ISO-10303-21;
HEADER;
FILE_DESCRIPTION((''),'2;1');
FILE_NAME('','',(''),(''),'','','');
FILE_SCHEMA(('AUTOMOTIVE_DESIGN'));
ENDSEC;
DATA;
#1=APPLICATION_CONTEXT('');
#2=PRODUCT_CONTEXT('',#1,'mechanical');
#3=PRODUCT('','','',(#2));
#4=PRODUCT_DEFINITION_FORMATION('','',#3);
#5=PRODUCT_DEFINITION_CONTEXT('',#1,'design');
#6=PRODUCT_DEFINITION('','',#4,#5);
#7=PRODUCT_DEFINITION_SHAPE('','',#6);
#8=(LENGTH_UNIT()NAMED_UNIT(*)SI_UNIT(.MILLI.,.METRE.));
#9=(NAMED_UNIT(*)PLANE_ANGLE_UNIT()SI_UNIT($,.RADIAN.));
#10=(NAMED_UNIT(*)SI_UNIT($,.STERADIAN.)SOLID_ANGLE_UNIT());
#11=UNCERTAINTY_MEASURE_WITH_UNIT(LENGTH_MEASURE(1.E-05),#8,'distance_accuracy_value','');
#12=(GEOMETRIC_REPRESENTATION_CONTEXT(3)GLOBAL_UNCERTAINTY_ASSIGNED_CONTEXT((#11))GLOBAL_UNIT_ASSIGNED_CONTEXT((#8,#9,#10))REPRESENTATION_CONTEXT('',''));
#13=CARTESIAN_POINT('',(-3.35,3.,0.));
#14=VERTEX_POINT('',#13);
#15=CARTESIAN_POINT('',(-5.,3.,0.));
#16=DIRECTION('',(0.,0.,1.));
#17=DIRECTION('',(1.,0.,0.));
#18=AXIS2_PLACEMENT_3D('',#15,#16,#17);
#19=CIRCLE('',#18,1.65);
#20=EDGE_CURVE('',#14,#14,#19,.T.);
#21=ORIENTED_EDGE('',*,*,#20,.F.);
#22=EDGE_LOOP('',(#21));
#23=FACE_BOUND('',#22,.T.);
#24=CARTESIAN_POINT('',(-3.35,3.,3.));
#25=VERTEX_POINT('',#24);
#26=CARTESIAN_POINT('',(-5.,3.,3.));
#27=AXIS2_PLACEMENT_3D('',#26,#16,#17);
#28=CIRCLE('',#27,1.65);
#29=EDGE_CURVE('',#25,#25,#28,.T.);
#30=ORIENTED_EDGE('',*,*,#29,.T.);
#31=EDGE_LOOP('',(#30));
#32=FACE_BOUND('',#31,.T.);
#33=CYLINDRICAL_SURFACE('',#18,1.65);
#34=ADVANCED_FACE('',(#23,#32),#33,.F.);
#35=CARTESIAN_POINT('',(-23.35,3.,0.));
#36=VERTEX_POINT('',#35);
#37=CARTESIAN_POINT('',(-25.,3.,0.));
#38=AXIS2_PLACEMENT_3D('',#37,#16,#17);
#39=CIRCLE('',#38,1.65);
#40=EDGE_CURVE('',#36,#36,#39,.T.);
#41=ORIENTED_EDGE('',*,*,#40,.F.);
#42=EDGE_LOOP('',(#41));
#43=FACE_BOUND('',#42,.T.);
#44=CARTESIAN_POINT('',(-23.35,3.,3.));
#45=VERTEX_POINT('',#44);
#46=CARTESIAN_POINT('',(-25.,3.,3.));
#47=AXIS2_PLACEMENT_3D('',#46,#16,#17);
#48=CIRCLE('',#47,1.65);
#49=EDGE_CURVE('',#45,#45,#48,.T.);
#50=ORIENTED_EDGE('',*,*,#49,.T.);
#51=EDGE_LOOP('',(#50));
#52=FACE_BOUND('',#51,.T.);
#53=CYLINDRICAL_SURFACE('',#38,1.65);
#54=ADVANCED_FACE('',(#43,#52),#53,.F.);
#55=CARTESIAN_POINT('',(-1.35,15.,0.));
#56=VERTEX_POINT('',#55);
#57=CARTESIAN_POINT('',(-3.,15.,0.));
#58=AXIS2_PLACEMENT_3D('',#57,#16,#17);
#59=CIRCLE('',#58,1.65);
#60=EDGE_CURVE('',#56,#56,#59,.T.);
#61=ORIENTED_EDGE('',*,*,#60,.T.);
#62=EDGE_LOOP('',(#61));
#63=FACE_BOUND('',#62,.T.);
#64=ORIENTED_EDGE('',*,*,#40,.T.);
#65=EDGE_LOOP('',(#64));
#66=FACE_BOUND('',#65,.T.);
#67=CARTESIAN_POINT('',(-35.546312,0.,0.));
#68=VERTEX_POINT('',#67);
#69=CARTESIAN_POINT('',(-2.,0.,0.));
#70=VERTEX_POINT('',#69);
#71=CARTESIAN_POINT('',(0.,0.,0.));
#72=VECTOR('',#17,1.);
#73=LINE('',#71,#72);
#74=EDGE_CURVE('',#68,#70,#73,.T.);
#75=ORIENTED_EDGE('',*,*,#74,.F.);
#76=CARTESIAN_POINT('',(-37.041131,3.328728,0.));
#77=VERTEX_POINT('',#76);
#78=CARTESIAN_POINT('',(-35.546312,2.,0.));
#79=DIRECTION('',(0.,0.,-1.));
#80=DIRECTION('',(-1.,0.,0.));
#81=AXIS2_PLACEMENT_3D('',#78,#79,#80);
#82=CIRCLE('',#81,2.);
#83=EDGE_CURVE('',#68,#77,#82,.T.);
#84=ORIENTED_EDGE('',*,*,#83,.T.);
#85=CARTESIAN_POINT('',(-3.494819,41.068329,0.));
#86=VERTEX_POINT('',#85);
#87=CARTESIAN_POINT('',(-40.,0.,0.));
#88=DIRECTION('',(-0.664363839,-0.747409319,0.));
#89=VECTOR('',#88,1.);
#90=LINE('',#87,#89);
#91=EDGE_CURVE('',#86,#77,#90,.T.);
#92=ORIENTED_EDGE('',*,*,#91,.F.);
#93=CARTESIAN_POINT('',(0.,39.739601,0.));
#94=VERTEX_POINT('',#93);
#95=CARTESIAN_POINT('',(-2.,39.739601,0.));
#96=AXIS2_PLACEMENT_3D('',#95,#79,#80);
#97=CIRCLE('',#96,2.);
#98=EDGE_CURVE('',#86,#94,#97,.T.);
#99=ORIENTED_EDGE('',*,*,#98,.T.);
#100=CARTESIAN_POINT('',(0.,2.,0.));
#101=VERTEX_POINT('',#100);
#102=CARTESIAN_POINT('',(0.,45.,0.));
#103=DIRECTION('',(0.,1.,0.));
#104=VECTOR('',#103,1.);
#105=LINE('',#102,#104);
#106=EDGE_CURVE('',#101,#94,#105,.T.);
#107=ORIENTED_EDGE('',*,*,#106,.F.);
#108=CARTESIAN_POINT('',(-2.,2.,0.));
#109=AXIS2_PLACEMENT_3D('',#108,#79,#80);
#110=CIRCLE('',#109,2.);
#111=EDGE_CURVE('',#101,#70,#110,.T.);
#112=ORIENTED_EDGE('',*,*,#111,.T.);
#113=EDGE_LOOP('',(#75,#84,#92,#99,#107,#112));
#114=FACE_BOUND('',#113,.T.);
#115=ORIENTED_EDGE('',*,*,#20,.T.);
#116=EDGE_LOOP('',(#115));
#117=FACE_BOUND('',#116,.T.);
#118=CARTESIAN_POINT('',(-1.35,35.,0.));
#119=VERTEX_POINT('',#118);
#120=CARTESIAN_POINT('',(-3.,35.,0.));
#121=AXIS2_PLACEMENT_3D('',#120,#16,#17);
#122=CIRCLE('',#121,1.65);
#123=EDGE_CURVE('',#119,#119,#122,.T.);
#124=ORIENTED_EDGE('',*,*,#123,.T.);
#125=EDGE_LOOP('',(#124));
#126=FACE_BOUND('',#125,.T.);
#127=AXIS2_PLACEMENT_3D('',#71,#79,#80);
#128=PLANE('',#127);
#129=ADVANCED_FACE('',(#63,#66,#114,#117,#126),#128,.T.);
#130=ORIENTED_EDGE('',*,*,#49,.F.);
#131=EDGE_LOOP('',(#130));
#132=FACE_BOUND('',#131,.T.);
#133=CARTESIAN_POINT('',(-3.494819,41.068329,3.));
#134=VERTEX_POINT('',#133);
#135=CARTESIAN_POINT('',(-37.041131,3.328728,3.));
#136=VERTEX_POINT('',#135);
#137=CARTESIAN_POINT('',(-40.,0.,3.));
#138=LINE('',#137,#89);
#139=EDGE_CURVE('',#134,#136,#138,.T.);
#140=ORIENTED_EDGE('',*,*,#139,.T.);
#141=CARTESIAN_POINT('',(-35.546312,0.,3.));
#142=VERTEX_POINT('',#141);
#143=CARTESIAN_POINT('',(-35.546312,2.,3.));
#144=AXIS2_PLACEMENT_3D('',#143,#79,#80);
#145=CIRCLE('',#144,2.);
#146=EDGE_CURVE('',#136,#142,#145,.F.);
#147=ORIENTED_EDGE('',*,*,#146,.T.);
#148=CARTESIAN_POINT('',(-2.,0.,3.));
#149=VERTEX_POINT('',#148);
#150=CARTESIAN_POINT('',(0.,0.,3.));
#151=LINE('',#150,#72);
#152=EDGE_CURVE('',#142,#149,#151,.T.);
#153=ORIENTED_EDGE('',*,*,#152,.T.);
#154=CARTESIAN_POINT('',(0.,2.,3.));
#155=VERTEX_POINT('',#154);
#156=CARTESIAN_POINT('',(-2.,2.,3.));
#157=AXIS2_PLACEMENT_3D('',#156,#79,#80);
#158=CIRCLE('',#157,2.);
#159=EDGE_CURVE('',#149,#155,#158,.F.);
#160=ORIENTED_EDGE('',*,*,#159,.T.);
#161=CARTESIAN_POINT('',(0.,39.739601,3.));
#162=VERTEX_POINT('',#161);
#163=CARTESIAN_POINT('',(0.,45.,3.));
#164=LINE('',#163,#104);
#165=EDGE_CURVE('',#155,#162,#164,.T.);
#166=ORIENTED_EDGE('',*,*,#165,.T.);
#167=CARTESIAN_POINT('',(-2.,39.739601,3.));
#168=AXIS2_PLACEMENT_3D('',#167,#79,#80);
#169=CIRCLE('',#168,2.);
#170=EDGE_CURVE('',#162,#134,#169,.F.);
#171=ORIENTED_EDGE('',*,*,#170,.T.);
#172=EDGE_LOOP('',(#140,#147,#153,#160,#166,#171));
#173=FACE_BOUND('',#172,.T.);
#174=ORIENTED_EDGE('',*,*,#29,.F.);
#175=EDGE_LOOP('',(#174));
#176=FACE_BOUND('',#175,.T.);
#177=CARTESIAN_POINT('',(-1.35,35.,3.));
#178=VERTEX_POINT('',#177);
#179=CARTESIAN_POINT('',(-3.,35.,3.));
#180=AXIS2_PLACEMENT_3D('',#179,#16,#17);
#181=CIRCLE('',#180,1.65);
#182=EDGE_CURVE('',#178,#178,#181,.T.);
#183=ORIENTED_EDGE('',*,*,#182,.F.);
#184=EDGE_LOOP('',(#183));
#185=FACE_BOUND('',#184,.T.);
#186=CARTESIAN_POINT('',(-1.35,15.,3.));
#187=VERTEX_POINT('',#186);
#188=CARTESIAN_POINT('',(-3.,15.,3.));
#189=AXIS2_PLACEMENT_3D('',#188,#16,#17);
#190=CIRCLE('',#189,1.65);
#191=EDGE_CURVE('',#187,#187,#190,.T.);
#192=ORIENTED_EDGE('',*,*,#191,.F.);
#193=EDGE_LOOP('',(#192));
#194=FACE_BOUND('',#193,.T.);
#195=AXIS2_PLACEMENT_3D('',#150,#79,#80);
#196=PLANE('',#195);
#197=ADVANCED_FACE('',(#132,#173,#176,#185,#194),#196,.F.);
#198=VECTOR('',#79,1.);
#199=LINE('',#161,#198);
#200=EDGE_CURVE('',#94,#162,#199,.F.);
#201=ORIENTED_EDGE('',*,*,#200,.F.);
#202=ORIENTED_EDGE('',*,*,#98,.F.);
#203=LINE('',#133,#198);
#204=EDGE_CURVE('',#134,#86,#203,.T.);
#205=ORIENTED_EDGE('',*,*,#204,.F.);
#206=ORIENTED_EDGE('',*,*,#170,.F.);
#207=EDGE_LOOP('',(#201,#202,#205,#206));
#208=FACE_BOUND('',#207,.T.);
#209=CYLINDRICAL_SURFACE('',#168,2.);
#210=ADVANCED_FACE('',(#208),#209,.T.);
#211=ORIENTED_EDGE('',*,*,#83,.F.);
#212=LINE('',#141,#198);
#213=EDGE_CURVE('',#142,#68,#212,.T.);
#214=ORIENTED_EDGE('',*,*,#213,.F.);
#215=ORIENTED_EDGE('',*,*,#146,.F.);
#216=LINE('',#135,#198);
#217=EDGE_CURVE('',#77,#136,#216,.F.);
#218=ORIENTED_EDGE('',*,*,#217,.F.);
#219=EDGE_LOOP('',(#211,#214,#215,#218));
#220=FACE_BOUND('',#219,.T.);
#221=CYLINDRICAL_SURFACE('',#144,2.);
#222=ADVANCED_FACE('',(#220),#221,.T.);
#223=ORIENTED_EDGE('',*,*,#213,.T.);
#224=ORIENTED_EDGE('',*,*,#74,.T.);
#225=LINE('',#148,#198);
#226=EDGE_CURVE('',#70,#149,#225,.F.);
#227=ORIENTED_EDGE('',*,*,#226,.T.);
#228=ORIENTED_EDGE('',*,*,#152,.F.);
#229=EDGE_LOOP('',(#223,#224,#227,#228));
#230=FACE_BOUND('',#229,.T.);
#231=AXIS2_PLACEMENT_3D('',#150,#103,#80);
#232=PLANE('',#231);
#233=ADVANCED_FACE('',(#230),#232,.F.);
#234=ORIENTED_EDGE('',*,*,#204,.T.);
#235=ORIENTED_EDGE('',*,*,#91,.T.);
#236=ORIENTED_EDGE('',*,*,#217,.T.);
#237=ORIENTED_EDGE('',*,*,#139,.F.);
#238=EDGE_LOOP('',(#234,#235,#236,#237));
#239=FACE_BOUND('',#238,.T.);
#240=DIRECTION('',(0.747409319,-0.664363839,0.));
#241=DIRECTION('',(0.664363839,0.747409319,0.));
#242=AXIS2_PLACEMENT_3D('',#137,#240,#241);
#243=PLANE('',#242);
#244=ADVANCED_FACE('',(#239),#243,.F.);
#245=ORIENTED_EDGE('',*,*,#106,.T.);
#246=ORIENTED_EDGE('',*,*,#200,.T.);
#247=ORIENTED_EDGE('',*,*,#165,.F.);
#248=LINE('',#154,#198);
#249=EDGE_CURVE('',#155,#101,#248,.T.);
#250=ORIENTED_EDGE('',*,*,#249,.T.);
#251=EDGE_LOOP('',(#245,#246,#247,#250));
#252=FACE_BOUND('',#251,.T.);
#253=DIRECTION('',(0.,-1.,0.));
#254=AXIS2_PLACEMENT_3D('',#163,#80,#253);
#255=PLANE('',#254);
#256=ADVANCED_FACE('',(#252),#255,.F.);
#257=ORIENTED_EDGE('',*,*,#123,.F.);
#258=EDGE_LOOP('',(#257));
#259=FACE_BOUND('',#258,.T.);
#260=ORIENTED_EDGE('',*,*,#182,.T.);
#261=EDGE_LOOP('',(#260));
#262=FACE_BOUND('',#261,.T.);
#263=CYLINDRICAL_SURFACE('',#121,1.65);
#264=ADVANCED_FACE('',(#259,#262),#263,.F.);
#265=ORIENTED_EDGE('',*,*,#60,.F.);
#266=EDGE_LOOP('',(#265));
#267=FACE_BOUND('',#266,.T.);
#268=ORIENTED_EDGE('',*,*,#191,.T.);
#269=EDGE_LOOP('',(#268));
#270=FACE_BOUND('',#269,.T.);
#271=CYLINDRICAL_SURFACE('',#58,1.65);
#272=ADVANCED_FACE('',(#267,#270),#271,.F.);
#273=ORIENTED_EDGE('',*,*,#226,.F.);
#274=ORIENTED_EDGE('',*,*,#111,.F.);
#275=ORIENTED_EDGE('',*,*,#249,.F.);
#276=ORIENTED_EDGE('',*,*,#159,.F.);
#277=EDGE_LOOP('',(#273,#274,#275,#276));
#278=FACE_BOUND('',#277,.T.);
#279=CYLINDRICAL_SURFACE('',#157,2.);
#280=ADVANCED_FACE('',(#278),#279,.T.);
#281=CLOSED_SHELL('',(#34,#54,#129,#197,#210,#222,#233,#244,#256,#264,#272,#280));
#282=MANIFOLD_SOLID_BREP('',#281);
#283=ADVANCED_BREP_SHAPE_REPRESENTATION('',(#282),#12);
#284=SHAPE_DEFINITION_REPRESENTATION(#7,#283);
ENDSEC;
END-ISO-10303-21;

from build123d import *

# Parameters (mm, degrees)
EXTRUDE_1_DEPTH     = 3
SKETCH_2_R          = 1.65
CUT_EXTRUDE_1_DEPTH = 3
SKETCH_3_R          = 1.65
CUT_EXTRUDE_2_DEPTH = 3
FILLET_1_R          = 2


with BuildPart() as part:
    # 草图1 → 凸台-拉伸1 (new body)
    with BuildSketch(Plane.XY):
        Polygon((0, 0), (-40, 0), (0, 45), align=None)
    extrude(amount=EXTRUDE_1_DEPTH)

    # 草图2 → 切除-拉伸1 (cut)
    with BuildSketch(Plane.XY.offset(3)):
        with Locations((-5, 3)):
            Circle(SKETCH_2_R)
        with Locations((-25, 3)):
            Circle(SKETCH_2_R)
    extrude(amount=-CUT_EXTRUDE_1_DEPTH, mode=Mode.SUBTRACT)

    # 草图3 → 切除-拉伸2 (cut)
    with BuildSketch(Plane.XY.offset(3)):
        with Locations((-3, 15)):
            Circle(SKETCH_3_R)
        with Locations((-3, 35)):
            Circle(SKETCH_3_R)
    extrude(amount=-CUT_EXTRUDE_2_DEPTH, mode=Mode.SUBTRACT)

    # 圆角1
    fillet_1_edges = [part.edges().sort_by_distance(p)[0] for p in [
        (0, 0, 1.5),
        (-40, 0, 1.5),
        (0, 45, 1.5),
    ]]
    fillet(fillet_1_edges, radius=FILLET_1_R)


solid = part.part
